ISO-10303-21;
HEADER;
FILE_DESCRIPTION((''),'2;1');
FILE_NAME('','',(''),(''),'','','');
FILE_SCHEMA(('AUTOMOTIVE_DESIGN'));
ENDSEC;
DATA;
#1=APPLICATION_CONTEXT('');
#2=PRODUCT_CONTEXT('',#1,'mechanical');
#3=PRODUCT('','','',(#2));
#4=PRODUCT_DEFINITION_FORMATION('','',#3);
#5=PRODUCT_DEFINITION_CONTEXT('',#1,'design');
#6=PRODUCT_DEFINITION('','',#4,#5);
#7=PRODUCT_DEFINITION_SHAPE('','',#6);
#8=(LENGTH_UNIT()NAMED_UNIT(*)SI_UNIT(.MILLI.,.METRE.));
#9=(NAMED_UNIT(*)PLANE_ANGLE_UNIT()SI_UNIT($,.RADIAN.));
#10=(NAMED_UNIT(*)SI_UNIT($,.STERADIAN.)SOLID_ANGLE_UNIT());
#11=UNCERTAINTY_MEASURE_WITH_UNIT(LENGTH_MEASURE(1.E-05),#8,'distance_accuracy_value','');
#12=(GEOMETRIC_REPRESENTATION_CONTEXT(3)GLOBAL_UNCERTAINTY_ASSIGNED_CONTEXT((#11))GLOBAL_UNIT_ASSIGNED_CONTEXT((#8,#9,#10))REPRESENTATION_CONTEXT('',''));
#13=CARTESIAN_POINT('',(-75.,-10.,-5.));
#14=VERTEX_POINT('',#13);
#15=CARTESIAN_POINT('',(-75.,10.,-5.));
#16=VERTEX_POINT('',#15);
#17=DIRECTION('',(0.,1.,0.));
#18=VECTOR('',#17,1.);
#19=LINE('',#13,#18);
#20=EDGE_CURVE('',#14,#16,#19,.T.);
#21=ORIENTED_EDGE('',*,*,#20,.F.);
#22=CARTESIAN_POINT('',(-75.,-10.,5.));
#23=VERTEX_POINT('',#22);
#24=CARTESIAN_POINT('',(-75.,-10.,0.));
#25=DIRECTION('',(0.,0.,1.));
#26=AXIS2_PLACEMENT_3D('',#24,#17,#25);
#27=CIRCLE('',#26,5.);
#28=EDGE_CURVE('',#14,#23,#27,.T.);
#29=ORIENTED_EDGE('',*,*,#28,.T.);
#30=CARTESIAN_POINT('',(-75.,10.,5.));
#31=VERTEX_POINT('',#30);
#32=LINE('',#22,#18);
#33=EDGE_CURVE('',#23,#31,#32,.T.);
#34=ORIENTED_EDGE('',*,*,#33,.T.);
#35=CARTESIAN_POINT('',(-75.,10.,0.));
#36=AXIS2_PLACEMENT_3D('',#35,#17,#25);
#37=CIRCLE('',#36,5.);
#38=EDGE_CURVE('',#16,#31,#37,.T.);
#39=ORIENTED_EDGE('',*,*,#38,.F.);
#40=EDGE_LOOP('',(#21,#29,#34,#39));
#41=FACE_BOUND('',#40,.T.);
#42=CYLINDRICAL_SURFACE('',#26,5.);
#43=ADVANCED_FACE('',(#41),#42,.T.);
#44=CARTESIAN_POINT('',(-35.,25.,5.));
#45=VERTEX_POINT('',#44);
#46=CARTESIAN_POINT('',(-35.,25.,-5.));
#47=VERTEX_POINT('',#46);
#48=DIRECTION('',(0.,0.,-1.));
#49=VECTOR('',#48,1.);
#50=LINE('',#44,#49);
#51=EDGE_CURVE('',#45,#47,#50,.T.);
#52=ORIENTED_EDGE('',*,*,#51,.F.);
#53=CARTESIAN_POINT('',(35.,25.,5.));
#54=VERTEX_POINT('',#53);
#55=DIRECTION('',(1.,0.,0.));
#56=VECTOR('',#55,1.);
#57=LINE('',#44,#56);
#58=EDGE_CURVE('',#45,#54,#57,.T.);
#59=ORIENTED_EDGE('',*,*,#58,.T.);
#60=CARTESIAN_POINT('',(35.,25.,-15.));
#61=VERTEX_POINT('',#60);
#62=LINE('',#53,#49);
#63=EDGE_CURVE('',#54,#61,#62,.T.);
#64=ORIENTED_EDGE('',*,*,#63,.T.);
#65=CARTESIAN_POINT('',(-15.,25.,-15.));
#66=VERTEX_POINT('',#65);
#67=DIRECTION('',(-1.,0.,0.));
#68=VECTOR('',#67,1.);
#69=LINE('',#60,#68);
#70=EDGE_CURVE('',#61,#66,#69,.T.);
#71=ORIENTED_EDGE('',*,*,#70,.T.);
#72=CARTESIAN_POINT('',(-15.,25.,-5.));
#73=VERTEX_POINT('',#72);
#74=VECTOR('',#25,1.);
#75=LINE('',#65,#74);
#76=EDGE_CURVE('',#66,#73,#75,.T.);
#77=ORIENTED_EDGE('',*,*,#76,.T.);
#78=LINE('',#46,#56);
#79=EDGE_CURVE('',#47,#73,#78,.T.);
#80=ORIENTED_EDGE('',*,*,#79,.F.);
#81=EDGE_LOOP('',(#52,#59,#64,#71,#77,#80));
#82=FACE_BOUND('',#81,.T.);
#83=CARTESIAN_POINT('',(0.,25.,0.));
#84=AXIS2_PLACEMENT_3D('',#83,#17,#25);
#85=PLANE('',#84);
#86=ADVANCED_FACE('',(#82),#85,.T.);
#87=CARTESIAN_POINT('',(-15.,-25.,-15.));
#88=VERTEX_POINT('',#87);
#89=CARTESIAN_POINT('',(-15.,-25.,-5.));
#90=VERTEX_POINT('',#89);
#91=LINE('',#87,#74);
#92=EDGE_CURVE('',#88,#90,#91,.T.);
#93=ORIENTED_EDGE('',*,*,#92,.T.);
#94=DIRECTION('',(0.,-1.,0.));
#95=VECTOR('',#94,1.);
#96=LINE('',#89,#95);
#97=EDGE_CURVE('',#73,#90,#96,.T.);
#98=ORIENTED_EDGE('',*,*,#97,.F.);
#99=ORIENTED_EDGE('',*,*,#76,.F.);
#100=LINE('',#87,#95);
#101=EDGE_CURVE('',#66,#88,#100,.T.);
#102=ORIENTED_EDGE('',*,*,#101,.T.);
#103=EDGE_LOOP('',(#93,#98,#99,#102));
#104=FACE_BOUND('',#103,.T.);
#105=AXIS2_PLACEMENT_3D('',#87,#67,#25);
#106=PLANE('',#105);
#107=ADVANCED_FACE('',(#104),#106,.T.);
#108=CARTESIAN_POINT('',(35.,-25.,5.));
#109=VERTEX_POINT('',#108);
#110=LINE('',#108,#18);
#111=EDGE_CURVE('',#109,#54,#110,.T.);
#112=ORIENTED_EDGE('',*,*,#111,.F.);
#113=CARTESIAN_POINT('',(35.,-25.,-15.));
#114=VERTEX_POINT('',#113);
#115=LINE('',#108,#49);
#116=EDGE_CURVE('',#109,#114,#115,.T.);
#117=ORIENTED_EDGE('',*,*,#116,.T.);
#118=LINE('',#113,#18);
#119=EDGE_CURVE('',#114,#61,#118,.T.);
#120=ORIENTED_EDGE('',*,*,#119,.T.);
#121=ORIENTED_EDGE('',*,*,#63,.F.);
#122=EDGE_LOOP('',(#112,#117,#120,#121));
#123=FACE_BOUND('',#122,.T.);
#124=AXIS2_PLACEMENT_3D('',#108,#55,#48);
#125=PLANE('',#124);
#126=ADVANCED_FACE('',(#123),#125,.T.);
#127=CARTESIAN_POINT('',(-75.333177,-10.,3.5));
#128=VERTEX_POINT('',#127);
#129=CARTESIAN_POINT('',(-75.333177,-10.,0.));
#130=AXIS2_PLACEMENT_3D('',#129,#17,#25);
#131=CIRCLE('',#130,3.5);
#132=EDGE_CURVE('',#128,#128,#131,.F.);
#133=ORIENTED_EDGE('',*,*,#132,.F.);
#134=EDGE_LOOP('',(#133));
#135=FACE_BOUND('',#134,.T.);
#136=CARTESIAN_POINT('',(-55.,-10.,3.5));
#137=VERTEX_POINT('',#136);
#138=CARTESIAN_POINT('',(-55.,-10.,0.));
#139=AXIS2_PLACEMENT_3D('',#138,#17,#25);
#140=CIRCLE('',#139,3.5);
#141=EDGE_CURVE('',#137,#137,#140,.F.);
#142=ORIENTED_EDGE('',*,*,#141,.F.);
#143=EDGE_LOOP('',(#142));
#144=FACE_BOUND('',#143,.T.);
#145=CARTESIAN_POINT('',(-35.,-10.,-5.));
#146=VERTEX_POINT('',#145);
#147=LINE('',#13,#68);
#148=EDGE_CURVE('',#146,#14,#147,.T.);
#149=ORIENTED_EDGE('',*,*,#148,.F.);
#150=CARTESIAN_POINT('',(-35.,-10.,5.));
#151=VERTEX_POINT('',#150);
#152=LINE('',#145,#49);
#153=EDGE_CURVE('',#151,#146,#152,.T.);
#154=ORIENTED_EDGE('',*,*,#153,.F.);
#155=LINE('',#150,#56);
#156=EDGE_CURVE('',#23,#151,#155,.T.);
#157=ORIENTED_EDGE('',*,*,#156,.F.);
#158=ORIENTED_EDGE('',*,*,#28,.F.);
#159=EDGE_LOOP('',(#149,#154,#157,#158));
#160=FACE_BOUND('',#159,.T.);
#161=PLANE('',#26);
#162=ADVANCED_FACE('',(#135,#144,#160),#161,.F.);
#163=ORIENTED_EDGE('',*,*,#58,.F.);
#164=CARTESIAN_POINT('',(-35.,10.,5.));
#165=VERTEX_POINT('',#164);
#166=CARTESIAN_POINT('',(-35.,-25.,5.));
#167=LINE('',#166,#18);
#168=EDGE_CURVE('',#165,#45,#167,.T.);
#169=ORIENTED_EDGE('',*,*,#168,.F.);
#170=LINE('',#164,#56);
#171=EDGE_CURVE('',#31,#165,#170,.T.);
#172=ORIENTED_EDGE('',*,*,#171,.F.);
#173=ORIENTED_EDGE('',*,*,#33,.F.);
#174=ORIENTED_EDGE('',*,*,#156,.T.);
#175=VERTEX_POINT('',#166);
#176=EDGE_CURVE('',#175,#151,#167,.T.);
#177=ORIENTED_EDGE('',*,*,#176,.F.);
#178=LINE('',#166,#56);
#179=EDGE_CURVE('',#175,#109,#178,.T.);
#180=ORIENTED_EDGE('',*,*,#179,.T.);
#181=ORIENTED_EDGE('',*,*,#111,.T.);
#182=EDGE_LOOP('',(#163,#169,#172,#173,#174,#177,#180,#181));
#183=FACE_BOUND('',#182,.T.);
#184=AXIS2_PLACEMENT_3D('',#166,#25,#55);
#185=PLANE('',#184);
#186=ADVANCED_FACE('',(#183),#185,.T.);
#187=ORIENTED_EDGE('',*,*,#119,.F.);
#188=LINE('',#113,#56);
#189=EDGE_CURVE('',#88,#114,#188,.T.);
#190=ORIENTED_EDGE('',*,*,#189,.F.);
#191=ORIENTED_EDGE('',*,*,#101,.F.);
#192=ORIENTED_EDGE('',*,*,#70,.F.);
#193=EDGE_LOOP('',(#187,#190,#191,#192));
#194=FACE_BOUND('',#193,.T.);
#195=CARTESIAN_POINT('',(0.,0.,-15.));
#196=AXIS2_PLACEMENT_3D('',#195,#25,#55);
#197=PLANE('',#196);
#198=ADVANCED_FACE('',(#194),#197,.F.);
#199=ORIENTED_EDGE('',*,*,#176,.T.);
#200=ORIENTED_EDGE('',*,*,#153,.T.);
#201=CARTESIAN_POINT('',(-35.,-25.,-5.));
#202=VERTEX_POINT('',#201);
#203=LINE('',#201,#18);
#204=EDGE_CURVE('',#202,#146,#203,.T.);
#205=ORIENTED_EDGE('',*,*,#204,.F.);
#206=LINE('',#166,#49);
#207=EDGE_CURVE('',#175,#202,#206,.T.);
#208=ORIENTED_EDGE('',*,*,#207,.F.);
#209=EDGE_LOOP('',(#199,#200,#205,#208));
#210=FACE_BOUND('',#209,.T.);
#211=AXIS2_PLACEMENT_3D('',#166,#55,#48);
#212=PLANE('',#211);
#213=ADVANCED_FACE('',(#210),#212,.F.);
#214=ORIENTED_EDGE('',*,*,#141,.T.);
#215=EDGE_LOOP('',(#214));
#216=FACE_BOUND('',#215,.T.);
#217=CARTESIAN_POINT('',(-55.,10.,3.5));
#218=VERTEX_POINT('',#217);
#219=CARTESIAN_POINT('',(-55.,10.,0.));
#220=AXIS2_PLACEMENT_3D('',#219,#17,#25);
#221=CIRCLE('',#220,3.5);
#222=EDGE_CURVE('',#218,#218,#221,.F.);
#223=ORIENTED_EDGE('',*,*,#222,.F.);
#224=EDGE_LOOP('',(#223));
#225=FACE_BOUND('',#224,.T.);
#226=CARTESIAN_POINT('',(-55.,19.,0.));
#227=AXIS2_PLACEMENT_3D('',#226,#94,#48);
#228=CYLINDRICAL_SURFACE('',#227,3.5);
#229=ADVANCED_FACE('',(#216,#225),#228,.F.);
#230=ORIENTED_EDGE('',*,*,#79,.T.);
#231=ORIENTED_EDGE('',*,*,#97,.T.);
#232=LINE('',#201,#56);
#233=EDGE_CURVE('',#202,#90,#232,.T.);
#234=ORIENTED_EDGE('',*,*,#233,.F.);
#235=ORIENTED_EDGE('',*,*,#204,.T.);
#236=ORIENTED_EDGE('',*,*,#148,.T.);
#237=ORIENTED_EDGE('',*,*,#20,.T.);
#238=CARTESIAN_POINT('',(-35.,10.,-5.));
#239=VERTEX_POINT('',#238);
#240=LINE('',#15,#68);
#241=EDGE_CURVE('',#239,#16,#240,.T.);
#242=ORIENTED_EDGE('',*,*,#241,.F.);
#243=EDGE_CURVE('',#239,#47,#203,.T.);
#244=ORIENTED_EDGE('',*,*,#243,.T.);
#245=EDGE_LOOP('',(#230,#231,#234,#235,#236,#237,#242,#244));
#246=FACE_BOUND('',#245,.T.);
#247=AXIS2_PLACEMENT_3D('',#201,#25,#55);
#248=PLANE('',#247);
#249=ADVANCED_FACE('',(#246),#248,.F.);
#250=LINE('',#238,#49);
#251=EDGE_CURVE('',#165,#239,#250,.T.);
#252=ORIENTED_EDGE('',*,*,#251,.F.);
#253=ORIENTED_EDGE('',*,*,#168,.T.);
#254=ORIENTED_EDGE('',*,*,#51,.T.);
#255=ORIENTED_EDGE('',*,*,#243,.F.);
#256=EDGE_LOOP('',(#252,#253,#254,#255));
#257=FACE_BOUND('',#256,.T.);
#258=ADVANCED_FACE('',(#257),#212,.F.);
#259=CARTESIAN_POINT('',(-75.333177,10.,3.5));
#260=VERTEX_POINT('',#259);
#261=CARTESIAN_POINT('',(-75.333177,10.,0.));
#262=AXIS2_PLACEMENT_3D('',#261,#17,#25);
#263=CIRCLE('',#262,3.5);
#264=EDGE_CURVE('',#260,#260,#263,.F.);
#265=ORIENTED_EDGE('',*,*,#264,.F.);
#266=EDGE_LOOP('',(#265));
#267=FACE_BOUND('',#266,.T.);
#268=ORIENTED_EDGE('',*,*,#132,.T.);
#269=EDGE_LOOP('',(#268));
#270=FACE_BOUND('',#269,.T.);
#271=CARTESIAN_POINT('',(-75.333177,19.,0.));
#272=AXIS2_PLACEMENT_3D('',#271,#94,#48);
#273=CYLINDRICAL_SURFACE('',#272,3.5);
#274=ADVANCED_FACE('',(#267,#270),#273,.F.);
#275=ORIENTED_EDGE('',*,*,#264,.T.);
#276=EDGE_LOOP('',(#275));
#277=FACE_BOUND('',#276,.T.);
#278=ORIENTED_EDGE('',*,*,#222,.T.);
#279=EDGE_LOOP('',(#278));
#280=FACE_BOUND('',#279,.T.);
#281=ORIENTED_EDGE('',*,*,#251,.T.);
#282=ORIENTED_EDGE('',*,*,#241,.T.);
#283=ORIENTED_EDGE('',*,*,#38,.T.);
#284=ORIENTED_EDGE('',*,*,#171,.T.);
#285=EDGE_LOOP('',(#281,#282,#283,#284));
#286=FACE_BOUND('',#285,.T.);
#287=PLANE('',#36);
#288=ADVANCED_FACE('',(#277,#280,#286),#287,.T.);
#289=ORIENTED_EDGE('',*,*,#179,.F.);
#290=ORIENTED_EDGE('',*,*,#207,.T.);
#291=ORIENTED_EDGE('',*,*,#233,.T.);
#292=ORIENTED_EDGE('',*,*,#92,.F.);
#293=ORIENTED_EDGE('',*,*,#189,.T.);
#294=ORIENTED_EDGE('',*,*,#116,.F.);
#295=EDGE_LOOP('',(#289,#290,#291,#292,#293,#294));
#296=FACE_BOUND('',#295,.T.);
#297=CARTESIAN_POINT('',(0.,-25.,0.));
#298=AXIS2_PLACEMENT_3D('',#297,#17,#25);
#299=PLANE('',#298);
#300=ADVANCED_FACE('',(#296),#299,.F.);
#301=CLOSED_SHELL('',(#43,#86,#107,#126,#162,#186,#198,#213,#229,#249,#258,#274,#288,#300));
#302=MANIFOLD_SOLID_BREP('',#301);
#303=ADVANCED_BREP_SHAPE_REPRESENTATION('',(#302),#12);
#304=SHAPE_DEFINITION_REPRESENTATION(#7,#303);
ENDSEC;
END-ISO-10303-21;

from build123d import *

# Parameters (mm, degrees)
BOSS_EXTRUDE1_DEPTH      = 25
BOSS_EXTRUDE1_DEPTH_BACK = 25
SKETCH1_W                = 70
SKETCH1_H                = 10
BOSS_EXTRUDE2_DEPTH      = 10
BOSS_EXTRUDE2_DEPTH_BACK = 10
CUT_EXTRUDE1_DEPTH       = 19
CUT_EXTRUDE1_DEPTH_BACK  = 16
SKETCH3_R                = 3.5
SKETCH4_W                = 50
SKETCH4_H                = 50
BOSS_EXTRUDE3_DEPTH      = 15


with BuildPart() as part:
    # Sketch1 → Boss-Extrude1 (new, two sides: drawn at the far end of the back side and taken through both)
    with BuildSketch(Plane(origin=(0, 0, 0), x_dir=(1, 0, 0), z_dir=(0, 1, 0)).offset(-BOSS_EXTRUDE1_DEPTH_BACK)):
        Rectangle(SKETCH1_W, SKETCH1_H)
    extrude(amount=BOSS_EXTRUDE1_DEPTH + BOSS_EXTRUDE1_DEPTH_BACK)

    # Sketch2 → Boss-Extrude2 (add, two sides: drawn at the far end of the back side and taken through both)
    with BuildSketch(Plane(origin=(0, 0, 0), x_dir=(1, 0, 0), z_dir=(0, 1, 0)).offset(-BOSS_EXTRUDE2_DEPTH_BACK)):
        with BuildLine():
            Line((-75, 5), (-35, 5))
            Line((-35, 5), (-35, -5))
            Line((-35, -5), (-75, -5))
            ThreePointArc((-75, -5), (-80, 0), (-75, 5))
        make_face()
    extrude(amount=BOSS_EXTRUDE2_DEPTH + BOSS_EXTRUDE2_DEPTH_BACK)

    # Sketch3 → Cut-Extrude1 (cut, two sides: drawn at the far end of the back side and taken through both)
    with BuildSketch(Plane(origin=(0, 0, 0), x_dir=(1, 0, 0), z_dir=(0, 1, 0)).offset(-CUT_EXTRUDE1_DEPTH_BACK)):
        with Locations((-75.333177097, 0)):
            Circle(SKETCH3_R)
        with Locations((-55, 0)):
            Circle(SKETCH3_R)
    extrude(amount=CUT_EXTRUDE1_DEPTH + CUT_EXTRUDE1_DEPTH_BACK, mode=Mode.SUBTRACT)

    # Sketch4 → Boss-Extrude3 (add)
    with BuildSketch(Plane.XY):
        with Locations((10, 0)):
            Rectangle(SKETCH4_W, SKETCH4_H)
    extrude(amount=-BOSS_EXTRUDE3_DEPTH)


solid = part.part
